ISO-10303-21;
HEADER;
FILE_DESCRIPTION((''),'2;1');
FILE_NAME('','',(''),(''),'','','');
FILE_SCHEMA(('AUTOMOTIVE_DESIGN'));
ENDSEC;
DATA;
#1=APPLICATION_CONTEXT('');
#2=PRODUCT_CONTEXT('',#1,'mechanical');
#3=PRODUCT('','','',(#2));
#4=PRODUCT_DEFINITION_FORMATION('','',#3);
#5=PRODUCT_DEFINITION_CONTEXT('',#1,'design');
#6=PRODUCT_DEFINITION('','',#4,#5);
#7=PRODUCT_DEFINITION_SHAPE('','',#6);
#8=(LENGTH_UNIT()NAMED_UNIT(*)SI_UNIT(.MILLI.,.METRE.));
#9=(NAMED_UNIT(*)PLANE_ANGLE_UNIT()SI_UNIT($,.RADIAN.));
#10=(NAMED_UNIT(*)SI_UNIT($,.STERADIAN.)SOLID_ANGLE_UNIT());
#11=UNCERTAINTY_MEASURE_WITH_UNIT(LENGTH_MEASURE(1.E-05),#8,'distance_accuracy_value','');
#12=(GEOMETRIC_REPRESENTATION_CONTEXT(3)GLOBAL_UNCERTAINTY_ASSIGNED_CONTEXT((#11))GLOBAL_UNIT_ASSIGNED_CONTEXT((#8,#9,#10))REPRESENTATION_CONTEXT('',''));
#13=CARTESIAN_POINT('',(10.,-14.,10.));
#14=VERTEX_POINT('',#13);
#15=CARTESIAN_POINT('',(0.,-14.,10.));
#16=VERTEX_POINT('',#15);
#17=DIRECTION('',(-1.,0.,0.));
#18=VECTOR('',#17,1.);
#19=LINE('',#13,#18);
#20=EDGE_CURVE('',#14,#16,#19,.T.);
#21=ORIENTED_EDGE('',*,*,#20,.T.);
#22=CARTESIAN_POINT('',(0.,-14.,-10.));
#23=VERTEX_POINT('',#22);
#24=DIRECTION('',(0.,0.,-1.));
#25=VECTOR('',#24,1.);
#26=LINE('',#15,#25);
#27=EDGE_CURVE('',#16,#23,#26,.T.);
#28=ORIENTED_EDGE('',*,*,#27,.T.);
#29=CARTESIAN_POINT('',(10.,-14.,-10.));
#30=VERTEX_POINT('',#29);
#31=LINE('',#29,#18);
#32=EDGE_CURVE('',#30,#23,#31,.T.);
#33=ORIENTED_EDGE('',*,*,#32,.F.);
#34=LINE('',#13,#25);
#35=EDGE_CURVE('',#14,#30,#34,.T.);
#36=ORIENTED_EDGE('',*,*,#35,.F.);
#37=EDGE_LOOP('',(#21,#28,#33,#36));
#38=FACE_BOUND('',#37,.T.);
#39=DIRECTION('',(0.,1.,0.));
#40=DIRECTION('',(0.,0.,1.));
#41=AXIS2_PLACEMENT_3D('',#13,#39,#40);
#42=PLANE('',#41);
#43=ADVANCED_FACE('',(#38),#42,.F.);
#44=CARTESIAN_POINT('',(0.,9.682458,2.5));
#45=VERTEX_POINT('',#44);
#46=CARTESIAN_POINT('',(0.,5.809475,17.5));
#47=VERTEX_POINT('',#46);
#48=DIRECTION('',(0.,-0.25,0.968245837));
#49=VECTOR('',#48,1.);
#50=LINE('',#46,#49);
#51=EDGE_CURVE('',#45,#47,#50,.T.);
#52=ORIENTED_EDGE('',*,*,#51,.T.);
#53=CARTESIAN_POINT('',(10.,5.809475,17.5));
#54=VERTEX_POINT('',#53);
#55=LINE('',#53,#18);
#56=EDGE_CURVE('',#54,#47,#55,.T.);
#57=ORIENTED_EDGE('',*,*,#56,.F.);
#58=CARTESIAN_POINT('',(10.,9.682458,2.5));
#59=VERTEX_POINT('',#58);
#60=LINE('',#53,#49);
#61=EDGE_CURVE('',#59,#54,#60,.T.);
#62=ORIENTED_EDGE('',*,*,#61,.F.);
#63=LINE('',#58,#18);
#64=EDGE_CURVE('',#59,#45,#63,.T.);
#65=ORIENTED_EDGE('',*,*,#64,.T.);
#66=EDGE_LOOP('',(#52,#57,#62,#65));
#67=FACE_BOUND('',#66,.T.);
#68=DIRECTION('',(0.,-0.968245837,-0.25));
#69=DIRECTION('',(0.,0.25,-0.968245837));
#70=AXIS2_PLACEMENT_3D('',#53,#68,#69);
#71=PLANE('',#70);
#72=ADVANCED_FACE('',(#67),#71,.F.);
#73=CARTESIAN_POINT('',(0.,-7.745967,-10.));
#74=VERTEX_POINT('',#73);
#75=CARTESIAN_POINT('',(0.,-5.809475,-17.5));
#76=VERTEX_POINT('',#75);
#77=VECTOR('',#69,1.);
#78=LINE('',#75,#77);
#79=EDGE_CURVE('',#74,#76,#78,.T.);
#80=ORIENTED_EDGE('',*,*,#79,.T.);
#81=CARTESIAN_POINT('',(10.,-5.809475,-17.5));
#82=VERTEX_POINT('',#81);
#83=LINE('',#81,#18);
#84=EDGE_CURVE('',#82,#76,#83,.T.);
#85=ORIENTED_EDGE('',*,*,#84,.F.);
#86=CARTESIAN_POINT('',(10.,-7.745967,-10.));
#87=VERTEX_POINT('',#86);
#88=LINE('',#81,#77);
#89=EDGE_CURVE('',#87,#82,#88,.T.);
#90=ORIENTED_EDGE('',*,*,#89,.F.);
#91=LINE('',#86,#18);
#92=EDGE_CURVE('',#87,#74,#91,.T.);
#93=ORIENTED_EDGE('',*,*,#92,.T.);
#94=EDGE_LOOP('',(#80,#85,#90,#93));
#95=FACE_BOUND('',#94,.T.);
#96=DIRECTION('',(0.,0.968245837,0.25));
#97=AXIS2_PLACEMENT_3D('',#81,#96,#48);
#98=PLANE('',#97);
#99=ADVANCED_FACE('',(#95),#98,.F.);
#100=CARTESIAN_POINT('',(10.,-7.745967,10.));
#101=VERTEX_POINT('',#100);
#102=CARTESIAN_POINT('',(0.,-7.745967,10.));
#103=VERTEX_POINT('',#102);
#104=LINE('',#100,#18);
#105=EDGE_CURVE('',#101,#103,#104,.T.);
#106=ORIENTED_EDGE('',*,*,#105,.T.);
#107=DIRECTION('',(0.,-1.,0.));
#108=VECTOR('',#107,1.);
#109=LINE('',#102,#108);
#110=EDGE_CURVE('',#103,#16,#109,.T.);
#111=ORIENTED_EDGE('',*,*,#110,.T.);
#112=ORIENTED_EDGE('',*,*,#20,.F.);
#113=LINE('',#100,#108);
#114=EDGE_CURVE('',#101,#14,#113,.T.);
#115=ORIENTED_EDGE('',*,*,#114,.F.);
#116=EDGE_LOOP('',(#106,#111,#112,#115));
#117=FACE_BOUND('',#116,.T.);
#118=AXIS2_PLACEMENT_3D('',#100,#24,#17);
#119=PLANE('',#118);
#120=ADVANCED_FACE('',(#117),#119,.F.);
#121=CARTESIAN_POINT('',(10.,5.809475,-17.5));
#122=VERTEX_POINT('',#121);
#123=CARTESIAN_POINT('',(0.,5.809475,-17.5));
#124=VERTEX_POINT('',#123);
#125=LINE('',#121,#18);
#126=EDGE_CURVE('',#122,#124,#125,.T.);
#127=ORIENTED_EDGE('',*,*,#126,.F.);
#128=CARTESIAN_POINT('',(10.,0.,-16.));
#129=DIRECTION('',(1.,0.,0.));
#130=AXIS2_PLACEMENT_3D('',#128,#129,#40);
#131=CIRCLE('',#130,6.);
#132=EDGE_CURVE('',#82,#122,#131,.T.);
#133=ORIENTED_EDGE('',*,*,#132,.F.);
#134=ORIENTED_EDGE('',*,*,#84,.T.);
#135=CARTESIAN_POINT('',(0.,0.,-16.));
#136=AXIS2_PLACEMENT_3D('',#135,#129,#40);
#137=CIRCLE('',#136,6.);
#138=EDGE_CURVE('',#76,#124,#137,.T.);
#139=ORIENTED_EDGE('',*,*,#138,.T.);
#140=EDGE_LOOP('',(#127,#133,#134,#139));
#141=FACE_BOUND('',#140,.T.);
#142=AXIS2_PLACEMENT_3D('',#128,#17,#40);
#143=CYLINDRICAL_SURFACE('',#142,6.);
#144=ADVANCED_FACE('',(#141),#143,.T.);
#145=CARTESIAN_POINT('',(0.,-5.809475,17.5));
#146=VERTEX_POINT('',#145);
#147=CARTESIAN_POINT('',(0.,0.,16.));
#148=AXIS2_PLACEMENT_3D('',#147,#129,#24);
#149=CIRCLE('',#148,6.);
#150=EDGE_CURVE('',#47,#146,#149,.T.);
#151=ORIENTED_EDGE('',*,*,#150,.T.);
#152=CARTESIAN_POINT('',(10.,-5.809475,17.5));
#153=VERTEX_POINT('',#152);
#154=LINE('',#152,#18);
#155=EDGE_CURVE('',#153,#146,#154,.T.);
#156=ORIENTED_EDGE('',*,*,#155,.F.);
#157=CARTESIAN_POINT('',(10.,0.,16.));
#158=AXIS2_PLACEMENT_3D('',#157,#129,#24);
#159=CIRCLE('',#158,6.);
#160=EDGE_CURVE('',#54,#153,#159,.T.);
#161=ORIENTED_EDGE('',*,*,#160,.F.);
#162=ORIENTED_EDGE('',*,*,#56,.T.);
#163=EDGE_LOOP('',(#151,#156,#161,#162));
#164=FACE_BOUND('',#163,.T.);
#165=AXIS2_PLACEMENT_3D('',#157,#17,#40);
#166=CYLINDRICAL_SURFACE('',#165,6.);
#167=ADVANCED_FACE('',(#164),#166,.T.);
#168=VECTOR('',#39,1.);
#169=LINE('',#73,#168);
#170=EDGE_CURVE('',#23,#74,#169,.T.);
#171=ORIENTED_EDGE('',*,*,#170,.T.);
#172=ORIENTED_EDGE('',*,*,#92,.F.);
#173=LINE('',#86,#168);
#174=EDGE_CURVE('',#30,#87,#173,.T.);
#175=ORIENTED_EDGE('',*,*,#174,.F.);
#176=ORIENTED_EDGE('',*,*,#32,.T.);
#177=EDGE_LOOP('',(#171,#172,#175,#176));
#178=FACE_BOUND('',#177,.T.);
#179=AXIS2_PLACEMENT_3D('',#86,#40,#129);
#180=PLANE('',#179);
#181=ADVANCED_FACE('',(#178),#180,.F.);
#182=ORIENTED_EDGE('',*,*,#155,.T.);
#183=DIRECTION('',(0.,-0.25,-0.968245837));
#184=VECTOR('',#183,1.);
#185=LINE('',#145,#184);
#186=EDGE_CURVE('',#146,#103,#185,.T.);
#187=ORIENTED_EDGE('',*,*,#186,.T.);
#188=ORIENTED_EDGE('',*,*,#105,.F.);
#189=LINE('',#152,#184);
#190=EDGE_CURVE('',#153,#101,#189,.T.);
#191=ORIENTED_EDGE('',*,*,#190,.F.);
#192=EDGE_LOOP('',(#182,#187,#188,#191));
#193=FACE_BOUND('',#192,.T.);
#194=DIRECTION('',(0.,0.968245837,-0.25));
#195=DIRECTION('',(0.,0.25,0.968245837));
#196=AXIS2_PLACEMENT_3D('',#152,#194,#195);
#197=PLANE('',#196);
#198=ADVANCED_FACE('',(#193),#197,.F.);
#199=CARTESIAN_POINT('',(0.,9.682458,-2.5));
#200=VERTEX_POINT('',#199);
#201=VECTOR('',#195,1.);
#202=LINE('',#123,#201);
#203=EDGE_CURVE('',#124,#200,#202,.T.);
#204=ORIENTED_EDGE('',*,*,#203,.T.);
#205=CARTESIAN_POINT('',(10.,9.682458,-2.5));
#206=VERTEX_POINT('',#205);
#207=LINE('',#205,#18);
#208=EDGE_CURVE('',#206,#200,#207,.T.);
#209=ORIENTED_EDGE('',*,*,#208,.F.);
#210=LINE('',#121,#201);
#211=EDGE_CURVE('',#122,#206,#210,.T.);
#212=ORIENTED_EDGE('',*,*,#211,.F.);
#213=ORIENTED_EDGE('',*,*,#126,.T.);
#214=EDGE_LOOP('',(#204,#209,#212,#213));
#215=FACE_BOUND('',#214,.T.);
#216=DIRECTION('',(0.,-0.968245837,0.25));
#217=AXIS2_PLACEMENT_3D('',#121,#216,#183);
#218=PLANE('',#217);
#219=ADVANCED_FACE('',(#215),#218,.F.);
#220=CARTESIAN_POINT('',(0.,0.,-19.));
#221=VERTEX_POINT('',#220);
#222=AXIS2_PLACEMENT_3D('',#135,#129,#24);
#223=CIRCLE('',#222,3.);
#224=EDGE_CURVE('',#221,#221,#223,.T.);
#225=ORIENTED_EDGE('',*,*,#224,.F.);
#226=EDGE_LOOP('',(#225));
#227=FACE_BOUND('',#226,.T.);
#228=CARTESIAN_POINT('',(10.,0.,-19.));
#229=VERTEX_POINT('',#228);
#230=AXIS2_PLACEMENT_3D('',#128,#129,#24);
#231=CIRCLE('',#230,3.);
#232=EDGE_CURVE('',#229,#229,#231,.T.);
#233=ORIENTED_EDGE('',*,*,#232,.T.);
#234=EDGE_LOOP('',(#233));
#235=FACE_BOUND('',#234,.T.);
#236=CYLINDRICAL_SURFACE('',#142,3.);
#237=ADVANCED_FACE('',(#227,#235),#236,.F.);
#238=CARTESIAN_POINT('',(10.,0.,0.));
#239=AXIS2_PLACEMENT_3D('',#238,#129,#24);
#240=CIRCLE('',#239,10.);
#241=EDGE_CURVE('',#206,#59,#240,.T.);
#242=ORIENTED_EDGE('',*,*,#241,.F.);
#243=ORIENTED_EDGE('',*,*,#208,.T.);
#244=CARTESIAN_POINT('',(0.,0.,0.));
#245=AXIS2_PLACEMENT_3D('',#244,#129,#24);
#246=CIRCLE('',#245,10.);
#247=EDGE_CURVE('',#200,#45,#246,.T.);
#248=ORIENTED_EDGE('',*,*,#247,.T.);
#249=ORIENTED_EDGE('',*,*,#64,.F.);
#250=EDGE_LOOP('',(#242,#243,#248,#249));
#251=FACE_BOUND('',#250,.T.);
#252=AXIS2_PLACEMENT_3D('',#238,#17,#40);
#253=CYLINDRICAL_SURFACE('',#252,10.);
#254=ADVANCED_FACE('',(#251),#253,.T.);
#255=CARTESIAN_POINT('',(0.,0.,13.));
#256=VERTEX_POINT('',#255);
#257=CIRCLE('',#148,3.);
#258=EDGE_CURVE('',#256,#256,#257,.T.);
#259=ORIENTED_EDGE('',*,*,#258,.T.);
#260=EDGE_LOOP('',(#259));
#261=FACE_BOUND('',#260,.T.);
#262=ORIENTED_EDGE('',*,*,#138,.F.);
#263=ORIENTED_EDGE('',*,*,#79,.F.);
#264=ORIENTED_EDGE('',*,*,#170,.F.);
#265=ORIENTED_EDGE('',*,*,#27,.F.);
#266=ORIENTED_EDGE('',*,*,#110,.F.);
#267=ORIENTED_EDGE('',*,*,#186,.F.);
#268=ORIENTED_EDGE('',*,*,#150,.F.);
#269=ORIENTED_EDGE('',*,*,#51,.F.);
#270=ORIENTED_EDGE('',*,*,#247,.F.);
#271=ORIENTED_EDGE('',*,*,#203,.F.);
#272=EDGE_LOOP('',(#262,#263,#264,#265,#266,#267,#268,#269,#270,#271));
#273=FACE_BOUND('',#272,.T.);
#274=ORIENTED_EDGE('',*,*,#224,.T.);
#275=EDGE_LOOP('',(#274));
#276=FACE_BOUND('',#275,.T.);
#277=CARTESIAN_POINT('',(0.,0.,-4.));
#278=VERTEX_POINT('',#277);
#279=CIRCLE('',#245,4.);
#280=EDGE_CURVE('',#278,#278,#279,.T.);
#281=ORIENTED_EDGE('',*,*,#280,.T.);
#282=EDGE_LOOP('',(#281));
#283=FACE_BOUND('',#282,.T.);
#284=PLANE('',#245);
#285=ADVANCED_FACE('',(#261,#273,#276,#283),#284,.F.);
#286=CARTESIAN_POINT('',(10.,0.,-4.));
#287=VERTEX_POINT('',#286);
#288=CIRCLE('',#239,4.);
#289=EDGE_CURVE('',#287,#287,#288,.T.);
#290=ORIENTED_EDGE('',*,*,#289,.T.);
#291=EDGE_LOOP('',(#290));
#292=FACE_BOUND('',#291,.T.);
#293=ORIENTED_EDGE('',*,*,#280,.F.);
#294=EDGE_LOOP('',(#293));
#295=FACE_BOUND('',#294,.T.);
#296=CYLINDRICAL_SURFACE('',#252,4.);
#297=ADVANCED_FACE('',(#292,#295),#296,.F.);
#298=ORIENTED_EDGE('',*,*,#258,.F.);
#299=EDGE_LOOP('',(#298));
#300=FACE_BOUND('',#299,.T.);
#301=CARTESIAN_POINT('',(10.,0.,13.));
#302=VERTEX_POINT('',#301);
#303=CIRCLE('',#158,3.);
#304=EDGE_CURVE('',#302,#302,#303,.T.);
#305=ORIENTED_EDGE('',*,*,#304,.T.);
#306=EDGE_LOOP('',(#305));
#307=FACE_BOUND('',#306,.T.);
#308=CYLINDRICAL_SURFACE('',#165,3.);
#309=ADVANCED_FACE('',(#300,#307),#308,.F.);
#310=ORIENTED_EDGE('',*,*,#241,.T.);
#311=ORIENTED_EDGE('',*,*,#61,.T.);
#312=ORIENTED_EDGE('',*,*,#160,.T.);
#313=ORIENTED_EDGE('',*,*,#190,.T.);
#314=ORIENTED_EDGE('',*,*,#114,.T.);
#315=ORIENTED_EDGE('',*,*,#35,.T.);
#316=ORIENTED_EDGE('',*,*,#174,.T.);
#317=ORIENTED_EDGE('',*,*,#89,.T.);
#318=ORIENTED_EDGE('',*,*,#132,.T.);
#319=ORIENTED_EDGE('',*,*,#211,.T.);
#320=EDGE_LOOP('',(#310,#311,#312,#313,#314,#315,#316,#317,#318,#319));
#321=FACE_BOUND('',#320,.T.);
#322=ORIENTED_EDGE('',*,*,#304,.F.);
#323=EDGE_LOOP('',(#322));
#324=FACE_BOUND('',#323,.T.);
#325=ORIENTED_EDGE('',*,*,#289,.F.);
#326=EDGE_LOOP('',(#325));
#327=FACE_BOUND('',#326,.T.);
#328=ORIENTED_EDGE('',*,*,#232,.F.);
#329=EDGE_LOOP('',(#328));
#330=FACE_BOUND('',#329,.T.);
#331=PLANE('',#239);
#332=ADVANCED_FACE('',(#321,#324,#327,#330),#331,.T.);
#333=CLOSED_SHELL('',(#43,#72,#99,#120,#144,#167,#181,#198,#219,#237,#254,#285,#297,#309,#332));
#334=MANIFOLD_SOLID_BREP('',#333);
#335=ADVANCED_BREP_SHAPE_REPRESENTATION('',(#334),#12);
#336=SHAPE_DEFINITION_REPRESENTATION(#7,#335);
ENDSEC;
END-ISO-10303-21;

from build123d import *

# Parameters (mm, degrees)
SKETCH1_R           = 4
SKETCH1_R_2         = 3
BOSS_EXTRUDE1_DEPTH = 10


with BuildPart() as part:
    # Sketch1 → Boss-Extrude1 (new body)
    with BuildSketch(Plane(origin=(0, 0, 0), x_dir=(0, 0, -1), z_dir=(1, 0, 0))):
        with BuildLine():
            Line((-10, -7.745966692), (-10, -14))
            Line((-10, -14), (10, -14))
            Line((10, -14), (10, -7.745966692))
            Line((10, -7.745966692), (17.5, -5.809475019))
            ThreePointArc((17.5, -5.809475019), (22, 0), (17.5, 5.809475019))
            Line((17.5, 5.809475019), (2.5, 9.682458366))
            ThreePointArc((2.5, 9.682458366), (0, 10), (-2.5, 9.682458366))
            Line((-2.5, 9.682458366), (-17.5, 5.809475019))
            ThreePointArc((-17.5, 5.809475019), (-22, 0), (-17.5, -5.809475019))
            Line((-17.5, -5.809475019), (-10, -7.745966692))
        make_face()
        Circle(SKETCH1_R, mode=Mode.SUBTRACT)
        with Locations((16, 0)):
            Circle(SKETCH1_R_2, mode=Mode.SUBTRACT)
        with Locations((-16, 0)):
            Circle(SKETCH1_R_2, mode=Mode.SUBTRACT)
    extrude(amount=BOSS_EXTRUDE1_DEPTH)


solid = part.part
